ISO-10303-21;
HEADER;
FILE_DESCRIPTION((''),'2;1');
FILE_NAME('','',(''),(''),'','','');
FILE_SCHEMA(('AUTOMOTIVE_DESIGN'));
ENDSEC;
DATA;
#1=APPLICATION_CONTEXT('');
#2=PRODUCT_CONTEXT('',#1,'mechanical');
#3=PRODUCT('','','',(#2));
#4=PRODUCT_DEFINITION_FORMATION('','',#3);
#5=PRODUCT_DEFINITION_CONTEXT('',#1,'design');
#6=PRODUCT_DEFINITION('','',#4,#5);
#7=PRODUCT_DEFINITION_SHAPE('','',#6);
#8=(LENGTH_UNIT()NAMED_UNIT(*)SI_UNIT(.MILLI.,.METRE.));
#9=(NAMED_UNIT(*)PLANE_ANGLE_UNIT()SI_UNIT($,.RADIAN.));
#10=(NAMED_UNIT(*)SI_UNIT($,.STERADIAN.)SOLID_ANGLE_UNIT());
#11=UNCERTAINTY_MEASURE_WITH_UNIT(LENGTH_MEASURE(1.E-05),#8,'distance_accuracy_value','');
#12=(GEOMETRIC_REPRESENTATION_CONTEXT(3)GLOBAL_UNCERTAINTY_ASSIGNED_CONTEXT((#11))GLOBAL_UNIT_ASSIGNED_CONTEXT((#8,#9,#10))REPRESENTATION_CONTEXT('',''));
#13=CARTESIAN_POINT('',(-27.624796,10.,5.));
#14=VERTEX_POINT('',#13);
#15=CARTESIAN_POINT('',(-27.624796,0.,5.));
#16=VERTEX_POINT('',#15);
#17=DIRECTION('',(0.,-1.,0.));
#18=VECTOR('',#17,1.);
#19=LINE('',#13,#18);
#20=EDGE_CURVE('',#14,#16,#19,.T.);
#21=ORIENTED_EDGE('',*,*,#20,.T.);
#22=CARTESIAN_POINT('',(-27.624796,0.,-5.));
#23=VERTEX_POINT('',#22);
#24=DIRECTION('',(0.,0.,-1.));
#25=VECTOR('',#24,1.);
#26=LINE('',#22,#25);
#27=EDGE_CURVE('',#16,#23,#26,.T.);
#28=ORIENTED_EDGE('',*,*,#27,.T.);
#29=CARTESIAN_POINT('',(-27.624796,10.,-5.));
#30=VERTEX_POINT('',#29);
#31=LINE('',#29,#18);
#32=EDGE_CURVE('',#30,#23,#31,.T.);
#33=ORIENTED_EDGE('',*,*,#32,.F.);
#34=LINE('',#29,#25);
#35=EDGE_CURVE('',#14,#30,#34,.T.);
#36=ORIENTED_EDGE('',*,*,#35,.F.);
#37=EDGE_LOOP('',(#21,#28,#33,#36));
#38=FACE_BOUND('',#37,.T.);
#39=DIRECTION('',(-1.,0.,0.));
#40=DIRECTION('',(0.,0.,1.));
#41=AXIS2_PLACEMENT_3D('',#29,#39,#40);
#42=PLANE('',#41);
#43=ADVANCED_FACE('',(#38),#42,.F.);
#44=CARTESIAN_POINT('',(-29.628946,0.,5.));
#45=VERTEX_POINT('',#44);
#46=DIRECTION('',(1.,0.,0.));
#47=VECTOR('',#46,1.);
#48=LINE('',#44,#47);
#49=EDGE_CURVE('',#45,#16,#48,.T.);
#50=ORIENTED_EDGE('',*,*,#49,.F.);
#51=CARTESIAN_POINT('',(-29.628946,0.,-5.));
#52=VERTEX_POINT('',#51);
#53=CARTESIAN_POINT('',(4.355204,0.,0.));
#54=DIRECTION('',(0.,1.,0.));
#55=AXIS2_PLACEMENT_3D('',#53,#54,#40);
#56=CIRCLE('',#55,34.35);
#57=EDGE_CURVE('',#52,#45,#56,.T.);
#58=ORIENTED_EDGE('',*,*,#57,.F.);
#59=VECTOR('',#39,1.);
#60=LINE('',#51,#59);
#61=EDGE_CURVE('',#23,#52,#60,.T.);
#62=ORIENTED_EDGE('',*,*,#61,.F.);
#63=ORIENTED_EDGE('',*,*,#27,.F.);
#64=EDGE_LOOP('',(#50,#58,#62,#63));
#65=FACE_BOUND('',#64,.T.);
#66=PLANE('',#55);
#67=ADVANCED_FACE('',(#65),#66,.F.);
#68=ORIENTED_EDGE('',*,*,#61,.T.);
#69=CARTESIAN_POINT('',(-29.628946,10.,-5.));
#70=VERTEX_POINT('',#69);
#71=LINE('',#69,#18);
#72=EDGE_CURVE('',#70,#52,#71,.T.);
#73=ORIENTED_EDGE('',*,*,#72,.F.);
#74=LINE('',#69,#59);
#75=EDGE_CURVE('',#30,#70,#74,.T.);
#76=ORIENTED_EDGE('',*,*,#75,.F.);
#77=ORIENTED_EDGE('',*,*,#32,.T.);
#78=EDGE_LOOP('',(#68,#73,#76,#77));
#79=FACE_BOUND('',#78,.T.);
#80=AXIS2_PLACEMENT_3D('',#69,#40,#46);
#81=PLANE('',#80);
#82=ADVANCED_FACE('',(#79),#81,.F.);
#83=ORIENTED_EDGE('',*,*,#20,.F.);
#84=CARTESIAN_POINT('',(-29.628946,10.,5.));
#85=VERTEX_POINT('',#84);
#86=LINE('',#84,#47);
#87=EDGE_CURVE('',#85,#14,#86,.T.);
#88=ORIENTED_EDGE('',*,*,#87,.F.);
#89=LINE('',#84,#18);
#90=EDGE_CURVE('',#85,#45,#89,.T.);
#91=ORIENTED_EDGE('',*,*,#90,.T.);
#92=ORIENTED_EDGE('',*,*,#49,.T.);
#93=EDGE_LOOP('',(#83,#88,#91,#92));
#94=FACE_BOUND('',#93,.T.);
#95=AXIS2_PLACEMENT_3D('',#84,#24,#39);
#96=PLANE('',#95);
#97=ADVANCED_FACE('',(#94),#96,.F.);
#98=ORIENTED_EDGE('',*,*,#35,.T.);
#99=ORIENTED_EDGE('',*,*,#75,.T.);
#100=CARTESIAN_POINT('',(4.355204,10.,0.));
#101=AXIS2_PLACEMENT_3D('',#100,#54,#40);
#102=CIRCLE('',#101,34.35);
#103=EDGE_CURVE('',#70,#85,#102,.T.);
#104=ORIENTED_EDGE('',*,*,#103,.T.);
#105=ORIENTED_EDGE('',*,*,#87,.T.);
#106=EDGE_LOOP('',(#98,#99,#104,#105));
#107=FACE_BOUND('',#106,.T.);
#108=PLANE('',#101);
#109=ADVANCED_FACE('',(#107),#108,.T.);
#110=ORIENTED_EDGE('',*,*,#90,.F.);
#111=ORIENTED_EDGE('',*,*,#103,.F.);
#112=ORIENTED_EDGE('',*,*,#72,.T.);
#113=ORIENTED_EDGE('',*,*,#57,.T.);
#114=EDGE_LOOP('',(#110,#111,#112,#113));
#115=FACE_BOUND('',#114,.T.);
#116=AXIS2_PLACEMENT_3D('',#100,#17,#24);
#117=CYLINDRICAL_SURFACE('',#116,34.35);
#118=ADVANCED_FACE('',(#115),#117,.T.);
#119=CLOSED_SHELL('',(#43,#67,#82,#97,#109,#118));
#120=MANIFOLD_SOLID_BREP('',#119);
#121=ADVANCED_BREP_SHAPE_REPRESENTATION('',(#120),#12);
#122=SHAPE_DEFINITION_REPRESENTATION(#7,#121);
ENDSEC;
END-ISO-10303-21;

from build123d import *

# Parameters (mm, degrees)
EXTRUDE_1_DEPTH = 10


with BuildPart() as part:
    # 草图1 → 凸台-拉伸1 (new body)
    with BuildSketch(Plane(origin=(0, 0, 0), x_dir=(1, 0, 0), z_dir=(0, 1, 0))):
        with BuildLine():
            Line((-29.628946383, 5), (-27.624795665, 5))
            Line((-27.624795665, 5), (-27.624795665, -5))
            Line((-27.624795665, -5), (-29.628946383, -5))
            ThreePointArc((-29.628946383, -5), (-29.994795665, 0), (-29.628946383, 5))
        make_face()
    extrude(amount=EXTRUDE_1_DEPTH)


solid = part.part
